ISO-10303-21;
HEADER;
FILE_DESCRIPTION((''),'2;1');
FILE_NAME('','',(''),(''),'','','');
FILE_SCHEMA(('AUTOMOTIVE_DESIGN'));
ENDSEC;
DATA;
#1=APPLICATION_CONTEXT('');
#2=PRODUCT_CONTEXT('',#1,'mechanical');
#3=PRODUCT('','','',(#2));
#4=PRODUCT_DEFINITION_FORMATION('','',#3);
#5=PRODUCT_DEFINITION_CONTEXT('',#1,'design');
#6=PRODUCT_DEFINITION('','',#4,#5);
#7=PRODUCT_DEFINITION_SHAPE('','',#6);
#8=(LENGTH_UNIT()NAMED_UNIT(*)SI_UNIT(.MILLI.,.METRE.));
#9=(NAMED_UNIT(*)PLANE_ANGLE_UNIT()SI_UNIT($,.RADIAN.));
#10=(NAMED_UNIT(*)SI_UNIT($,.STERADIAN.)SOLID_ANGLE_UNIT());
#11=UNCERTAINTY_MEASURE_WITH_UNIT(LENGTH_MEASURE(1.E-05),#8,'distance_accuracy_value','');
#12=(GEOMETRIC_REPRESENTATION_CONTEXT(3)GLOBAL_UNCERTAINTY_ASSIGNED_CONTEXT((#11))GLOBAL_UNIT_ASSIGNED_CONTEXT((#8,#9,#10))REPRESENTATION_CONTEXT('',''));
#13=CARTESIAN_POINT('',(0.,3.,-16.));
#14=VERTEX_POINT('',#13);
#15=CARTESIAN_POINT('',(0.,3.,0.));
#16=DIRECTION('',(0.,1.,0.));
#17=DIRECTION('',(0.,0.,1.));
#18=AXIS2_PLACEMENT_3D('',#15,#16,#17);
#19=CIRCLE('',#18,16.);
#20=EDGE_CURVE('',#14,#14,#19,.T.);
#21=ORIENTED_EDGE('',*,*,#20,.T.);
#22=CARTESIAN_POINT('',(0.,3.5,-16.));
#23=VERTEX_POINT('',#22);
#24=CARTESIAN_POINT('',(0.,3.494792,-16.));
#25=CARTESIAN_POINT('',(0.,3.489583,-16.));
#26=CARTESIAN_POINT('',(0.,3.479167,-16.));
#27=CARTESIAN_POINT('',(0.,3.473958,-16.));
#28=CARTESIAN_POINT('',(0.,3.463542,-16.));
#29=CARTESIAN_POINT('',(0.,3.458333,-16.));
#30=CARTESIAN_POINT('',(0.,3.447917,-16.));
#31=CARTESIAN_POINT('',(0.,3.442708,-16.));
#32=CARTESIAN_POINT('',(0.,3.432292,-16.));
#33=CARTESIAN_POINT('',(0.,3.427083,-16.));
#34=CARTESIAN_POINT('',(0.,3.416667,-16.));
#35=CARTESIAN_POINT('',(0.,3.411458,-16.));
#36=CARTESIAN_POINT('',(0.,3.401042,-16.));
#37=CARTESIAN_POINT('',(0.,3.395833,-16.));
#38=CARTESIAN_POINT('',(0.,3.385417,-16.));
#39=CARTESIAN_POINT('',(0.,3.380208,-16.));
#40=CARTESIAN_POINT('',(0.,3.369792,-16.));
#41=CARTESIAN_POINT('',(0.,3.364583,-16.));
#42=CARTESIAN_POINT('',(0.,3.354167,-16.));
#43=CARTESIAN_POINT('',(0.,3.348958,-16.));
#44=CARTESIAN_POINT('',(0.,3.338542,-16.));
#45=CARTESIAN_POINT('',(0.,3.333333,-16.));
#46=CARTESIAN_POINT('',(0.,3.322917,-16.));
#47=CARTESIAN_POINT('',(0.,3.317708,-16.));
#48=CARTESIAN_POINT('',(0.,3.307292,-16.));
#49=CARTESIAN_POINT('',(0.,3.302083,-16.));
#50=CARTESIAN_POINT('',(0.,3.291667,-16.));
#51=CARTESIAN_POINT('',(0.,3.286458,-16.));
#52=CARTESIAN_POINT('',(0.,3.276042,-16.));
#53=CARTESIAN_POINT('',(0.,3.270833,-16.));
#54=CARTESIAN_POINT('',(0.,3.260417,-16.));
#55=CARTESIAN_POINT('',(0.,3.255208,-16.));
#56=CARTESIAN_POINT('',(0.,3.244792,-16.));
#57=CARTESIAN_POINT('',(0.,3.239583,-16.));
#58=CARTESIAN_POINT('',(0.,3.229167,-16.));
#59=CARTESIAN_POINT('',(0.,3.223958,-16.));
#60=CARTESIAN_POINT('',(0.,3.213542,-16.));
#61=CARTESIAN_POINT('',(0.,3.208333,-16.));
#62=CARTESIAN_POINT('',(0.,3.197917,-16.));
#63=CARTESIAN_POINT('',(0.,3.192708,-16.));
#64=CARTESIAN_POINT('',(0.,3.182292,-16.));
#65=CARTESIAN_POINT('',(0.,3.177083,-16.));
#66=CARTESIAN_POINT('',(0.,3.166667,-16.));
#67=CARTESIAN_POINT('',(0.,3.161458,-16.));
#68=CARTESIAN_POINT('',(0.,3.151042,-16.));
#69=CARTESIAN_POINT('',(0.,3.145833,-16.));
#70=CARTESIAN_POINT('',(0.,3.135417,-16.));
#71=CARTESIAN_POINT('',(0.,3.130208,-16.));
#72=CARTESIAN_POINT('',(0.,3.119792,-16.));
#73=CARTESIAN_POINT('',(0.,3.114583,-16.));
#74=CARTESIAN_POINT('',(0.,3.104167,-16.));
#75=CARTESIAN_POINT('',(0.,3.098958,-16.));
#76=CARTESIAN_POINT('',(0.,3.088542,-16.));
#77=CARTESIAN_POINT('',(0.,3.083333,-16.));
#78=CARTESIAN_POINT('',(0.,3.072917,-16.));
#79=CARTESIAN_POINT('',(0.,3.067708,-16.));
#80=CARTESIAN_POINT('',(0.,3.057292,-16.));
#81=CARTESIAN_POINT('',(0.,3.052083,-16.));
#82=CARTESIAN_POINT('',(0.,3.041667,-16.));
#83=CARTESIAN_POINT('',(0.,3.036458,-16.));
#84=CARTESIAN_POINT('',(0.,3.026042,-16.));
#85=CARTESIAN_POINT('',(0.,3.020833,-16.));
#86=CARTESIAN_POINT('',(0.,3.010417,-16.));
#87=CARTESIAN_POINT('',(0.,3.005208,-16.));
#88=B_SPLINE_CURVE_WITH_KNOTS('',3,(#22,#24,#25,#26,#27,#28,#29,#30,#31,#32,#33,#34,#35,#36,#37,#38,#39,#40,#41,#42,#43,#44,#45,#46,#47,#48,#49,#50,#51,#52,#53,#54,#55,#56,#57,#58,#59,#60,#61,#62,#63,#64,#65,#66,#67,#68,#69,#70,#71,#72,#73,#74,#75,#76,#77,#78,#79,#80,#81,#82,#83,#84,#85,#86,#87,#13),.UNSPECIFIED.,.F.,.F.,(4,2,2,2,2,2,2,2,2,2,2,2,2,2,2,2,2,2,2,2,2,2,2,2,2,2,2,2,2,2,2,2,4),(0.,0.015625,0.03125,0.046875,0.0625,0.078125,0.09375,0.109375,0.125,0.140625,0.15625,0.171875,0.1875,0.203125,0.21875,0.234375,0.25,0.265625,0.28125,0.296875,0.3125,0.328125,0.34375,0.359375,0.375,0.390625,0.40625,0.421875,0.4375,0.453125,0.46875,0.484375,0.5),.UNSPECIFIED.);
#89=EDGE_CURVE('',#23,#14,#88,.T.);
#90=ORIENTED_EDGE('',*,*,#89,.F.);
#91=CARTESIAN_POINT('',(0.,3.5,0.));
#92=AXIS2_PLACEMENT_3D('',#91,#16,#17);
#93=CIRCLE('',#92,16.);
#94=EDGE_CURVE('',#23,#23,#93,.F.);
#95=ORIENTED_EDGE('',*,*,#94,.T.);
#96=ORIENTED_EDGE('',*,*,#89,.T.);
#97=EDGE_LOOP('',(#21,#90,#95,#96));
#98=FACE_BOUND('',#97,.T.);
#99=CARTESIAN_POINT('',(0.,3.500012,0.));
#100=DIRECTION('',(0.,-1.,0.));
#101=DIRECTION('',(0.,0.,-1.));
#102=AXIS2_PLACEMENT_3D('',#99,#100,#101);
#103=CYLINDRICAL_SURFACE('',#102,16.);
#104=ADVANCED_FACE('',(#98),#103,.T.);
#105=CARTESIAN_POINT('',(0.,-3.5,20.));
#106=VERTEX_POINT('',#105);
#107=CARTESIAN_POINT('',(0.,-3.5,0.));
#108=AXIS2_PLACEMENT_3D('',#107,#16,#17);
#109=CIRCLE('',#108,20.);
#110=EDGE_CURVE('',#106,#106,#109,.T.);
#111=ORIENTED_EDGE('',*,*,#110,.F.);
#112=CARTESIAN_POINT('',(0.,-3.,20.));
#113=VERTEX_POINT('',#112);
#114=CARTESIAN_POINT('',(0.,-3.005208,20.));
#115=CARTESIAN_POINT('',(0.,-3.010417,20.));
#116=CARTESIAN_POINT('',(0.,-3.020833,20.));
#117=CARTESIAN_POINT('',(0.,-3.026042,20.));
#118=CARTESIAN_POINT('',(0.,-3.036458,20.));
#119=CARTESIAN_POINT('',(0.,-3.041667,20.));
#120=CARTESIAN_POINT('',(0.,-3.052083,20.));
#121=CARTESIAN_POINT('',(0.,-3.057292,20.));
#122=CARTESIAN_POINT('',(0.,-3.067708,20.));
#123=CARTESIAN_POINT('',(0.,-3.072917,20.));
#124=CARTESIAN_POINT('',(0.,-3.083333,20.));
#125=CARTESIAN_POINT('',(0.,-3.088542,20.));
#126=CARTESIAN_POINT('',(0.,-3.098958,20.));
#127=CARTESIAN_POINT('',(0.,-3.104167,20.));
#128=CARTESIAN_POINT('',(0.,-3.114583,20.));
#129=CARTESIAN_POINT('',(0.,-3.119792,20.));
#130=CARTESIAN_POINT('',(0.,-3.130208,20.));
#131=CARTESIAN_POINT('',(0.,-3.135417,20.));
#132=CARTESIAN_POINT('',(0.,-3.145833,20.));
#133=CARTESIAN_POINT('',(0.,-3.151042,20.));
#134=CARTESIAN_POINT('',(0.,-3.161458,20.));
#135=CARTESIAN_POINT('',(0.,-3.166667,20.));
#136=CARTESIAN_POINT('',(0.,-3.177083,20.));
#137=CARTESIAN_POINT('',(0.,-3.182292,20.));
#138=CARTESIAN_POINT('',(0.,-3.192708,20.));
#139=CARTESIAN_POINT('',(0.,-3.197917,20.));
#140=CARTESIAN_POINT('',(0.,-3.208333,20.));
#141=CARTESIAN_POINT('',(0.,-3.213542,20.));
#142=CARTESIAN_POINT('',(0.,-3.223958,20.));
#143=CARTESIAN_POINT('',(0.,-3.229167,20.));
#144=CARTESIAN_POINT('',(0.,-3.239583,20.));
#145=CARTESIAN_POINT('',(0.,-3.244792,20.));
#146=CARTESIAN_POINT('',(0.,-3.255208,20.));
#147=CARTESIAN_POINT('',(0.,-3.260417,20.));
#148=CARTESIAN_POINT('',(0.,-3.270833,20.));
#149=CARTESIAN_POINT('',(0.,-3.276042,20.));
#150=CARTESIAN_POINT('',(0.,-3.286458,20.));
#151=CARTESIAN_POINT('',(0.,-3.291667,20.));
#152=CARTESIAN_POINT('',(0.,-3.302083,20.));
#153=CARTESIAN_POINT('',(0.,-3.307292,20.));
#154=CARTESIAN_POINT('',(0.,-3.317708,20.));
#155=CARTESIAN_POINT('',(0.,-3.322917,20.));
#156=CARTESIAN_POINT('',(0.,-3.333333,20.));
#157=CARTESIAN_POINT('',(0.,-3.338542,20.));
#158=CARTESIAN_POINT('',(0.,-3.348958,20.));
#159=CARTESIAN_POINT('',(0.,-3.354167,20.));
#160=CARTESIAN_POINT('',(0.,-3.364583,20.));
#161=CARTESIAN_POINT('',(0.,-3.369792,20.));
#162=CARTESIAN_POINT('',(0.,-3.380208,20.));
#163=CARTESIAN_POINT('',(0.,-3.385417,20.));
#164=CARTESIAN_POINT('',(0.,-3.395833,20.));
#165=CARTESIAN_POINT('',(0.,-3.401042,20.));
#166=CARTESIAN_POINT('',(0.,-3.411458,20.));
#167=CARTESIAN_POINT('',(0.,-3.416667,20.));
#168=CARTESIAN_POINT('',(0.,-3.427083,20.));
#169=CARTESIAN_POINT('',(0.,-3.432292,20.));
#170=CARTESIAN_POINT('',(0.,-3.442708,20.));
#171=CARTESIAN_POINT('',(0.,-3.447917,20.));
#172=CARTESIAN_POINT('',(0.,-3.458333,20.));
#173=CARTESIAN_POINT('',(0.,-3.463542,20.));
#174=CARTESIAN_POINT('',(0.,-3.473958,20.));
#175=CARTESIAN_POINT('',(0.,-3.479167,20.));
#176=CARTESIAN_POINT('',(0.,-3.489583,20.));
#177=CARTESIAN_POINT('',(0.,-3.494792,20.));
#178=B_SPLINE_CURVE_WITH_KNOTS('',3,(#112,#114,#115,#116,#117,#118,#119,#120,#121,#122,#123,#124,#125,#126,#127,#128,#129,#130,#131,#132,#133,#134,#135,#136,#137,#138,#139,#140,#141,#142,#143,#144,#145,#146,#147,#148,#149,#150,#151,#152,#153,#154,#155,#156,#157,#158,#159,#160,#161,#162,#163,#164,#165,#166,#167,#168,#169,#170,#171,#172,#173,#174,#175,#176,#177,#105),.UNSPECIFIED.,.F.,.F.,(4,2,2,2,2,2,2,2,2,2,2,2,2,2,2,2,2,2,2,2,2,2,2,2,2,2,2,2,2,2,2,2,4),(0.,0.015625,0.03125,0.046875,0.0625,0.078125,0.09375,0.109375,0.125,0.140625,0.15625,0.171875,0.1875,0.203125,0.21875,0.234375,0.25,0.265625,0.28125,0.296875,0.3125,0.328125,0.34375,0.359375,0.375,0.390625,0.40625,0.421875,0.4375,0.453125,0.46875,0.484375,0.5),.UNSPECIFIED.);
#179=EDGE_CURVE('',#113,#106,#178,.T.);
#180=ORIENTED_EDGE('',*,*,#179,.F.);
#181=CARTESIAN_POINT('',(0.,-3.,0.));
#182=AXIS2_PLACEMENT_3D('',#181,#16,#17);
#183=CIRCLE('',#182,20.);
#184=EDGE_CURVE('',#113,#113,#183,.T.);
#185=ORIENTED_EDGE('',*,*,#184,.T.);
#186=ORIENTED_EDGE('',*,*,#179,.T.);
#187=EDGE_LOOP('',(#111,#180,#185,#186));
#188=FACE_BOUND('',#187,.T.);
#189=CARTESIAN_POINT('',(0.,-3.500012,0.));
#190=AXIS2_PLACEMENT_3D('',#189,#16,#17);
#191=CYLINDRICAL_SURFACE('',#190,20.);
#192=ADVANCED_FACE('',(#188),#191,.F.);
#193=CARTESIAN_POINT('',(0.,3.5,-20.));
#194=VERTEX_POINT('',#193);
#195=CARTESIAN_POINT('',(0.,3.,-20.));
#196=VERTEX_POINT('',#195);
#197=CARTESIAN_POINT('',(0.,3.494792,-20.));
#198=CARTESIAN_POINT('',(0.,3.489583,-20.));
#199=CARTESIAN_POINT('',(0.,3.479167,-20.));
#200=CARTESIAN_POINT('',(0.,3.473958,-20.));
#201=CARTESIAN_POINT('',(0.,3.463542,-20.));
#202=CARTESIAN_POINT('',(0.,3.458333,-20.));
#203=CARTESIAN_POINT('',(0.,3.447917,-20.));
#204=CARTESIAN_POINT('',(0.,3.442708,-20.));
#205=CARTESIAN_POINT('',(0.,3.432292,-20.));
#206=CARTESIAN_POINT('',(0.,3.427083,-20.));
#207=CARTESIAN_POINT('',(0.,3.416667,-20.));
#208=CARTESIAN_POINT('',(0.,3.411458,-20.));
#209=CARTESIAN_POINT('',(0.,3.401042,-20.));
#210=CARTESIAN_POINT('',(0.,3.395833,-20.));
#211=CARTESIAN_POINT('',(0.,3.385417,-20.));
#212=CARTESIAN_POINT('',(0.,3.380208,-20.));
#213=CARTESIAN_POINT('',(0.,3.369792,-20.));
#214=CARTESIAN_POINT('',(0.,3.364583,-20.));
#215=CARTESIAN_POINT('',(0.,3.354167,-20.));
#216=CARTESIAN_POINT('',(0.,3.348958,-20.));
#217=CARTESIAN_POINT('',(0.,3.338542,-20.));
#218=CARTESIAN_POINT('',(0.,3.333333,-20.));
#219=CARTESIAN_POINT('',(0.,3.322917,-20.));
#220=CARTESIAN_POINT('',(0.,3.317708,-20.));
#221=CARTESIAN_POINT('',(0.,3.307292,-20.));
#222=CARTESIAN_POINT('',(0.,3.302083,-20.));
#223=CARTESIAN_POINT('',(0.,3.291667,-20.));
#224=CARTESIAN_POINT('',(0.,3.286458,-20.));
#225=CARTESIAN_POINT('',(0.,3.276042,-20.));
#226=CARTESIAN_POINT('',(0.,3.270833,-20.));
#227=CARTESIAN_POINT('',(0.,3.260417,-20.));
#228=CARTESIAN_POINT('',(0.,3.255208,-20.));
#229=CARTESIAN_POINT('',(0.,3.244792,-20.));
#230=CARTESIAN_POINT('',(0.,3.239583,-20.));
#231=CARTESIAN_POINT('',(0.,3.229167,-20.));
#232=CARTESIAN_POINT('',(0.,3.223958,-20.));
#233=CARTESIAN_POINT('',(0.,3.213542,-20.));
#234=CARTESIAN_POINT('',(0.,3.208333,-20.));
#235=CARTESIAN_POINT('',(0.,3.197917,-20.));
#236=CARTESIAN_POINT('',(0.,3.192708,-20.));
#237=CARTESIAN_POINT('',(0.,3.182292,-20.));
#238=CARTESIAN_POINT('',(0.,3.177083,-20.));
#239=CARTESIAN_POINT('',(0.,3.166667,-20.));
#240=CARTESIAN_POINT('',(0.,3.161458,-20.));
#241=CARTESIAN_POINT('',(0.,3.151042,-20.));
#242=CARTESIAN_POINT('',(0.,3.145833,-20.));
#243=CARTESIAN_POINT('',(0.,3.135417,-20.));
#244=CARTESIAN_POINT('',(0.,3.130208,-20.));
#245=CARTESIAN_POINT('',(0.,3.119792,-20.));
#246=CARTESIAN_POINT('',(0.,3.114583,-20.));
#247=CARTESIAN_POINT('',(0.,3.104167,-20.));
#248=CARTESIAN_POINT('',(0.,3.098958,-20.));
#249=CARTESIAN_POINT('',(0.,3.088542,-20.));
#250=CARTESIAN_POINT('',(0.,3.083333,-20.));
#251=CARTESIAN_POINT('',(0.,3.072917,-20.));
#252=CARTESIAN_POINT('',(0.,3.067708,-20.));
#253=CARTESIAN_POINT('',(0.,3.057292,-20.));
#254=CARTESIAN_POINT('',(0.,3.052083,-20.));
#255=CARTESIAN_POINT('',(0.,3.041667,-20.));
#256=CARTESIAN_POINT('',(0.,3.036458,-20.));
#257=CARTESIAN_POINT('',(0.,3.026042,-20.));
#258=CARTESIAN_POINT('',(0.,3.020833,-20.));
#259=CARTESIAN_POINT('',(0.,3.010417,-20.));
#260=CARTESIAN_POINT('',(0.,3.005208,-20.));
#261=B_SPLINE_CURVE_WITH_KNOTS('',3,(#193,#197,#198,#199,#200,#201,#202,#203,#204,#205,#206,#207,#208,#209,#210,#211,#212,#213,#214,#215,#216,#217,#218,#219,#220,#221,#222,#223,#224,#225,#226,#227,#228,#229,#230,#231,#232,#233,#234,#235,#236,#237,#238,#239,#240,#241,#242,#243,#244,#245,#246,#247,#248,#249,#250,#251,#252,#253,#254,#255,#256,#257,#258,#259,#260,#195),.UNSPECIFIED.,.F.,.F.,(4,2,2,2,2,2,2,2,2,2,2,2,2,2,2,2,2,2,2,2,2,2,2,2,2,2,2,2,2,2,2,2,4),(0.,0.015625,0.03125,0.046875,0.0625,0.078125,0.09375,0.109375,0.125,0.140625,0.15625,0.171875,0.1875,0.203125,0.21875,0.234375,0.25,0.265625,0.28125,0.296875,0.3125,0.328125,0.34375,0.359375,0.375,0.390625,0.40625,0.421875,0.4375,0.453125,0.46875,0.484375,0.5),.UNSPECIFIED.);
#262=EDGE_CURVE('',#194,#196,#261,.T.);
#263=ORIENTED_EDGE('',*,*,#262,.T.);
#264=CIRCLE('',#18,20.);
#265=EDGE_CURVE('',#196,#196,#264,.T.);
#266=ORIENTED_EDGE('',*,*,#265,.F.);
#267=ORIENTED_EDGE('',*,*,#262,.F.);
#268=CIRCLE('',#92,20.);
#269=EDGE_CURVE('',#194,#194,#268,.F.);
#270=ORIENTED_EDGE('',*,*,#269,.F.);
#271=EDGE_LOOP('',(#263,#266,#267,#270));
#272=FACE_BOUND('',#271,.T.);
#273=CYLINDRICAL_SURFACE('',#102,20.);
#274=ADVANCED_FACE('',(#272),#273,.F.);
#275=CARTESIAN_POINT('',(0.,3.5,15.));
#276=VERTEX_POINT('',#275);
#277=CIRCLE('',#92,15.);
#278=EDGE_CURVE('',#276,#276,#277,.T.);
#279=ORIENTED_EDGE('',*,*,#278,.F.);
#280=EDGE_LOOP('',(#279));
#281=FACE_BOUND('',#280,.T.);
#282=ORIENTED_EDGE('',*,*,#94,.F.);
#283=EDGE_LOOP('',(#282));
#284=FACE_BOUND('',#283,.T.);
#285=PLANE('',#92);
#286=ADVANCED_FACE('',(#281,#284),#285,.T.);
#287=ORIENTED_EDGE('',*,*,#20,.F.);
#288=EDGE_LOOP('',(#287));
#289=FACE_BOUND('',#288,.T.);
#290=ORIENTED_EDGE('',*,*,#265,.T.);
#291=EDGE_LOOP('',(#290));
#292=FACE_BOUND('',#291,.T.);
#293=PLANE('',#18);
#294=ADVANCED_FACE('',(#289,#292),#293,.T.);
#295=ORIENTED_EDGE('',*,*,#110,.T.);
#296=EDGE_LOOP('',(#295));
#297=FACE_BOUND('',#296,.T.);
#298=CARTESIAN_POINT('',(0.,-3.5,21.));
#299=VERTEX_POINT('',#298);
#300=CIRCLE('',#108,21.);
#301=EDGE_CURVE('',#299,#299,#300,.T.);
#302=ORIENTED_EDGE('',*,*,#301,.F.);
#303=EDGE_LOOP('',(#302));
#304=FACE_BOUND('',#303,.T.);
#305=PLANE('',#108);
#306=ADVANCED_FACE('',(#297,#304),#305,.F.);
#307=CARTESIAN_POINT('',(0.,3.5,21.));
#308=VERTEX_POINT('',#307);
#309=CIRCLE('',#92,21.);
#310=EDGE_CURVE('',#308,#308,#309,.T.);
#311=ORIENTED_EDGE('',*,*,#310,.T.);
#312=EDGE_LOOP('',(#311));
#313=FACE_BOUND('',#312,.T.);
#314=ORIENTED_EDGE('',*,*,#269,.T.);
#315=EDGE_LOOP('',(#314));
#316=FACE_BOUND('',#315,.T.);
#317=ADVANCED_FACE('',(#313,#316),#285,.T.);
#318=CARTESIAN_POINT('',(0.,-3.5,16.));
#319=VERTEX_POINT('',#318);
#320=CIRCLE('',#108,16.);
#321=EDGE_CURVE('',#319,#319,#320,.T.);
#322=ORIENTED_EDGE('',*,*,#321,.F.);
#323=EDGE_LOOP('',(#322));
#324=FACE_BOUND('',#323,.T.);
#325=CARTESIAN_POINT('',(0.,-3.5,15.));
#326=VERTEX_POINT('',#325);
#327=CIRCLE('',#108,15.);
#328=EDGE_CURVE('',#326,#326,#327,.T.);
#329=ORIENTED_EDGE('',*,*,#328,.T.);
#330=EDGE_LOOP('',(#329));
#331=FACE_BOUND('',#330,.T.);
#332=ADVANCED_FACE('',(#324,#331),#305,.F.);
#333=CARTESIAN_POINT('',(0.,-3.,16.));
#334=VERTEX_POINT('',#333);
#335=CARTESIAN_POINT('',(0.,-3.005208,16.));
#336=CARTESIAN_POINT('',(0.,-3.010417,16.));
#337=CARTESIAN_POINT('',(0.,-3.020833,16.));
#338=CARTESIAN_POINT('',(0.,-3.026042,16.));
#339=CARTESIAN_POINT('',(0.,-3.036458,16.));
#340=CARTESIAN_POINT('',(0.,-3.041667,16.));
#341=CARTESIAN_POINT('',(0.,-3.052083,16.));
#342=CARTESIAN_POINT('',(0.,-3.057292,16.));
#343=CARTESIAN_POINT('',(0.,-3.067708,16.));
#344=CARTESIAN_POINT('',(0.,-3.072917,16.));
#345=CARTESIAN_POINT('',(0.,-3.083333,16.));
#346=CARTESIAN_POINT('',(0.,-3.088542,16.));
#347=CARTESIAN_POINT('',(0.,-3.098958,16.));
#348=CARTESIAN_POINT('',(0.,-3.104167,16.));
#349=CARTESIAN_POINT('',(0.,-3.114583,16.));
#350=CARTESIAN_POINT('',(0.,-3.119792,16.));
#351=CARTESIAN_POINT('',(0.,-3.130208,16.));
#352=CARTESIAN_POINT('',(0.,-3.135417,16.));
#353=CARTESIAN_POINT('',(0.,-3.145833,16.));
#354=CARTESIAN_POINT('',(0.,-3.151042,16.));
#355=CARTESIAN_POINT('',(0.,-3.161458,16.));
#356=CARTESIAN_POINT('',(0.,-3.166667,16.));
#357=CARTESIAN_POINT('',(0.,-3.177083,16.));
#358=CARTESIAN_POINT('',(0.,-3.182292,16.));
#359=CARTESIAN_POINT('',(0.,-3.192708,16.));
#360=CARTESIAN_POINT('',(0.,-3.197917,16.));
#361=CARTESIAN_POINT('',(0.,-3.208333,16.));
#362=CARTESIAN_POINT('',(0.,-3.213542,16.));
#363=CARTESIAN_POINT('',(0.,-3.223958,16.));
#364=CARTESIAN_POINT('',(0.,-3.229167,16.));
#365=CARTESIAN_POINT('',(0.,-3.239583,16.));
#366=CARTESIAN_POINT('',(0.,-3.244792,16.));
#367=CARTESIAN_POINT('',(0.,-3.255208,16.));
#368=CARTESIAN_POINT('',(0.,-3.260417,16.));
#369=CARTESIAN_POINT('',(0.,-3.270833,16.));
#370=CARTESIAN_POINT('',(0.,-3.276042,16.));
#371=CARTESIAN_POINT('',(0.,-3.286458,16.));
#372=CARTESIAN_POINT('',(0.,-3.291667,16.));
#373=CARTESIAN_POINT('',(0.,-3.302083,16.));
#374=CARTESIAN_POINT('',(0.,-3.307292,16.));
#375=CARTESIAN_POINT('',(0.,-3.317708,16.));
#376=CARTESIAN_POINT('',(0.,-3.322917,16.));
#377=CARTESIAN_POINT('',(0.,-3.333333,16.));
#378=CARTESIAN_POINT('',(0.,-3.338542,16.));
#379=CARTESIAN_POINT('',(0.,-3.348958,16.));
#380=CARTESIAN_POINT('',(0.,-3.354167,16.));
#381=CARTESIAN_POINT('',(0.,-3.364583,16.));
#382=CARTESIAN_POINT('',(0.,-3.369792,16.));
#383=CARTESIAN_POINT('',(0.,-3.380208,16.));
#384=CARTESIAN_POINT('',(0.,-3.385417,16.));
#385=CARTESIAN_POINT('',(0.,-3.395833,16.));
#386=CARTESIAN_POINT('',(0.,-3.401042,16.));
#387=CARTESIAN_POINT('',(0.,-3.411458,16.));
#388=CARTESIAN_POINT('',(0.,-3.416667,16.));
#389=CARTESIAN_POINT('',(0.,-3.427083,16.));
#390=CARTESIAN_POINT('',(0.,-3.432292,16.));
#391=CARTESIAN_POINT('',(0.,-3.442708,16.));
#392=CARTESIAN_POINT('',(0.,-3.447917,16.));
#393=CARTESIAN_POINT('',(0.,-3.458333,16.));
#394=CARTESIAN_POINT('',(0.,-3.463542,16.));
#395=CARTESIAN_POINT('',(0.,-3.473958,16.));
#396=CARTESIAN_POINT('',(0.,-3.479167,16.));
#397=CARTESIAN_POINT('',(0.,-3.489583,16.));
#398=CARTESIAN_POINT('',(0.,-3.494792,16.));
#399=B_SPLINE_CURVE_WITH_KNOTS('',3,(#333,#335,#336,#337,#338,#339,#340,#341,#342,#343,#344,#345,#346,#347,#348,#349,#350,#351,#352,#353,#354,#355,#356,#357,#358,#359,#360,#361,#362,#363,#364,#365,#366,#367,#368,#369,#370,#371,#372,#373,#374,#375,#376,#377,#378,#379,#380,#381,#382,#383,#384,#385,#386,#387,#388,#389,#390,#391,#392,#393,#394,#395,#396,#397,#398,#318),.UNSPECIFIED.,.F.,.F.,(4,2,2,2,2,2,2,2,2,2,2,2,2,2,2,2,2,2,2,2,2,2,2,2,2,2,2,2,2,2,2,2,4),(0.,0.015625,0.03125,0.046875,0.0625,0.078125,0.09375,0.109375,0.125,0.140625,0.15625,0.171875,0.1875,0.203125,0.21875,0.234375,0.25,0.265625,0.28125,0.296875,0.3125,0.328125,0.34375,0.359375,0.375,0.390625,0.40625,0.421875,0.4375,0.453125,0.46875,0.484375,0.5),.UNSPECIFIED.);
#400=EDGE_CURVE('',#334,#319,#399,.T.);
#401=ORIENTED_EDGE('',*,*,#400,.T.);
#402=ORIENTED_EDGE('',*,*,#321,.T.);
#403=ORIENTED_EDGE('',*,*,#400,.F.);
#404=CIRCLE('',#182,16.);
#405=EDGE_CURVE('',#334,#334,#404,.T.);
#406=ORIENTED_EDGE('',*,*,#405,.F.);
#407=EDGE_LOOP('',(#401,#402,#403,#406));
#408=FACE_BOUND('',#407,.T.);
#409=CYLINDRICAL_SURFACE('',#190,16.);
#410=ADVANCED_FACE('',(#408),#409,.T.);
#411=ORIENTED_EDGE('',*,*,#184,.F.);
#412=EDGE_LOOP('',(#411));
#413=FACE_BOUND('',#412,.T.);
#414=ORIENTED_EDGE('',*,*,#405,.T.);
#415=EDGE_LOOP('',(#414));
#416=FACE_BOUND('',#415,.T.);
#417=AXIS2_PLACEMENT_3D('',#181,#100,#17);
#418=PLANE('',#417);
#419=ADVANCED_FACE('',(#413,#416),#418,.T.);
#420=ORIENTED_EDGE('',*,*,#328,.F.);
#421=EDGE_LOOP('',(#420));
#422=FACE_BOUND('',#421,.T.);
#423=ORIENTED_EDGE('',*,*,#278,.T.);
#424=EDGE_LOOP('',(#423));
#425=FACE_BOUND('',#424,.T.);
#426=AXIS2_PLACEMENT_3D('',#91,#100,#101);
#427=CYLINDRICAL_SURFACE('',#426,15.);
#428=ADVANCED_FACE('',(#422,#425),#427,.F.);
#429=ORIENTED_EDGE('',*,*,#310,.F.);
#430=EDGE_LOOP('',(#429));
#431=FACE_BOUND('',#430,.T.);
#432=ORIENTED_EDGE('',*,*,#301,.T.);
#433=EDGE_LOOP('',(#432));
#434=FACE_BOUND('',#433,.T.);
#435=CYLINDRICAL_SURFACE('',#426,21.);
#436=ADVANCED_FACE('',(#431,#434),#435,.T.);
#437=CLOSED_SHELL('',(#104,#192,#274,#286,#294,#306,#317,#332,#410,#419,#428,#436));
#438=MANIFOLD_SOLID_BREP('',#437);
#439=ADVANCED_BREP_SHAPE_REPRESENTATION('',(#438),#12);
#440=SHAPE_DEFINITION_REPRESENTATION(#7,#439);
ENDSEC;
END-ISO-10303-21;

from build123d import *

# Parameters (mm, degrees)
SKETCH1_R           = 21
SKETCH1_R_2         = 15
BOSS_EXTRUDE1_DEPTH = 3.5
CUT_EXTRUDE1_START  = -0.5
SKETCH2_R           = 20
SKETCH2_R_2         = 16
CUT_EXTRUDE1_DEPTH  = 32.012292605


with BuildPart() as part:
    # Sketch1 → Boss-Extrude1 (new, symmetric)
    with BuildSketch(Plane(origin=(0, 0, 0), x_dir=(1, 0, 0), z_dir=(0, 1, 0))):
        with Locations(Location((0, 0, 0), (0, 0, 270))):
            Circle(SKETCH1_R)
        with Locations(Location((0, 0, 0), (0, 0, 270))):
            Circle(SKETCH1_R_2, mode=Mode.SUBTRACT)
    extrude(amount=BOSS_EXTRUDE1_DEPTH, both=True)

    # Sketch2 → Cut-Extrude1 (cut)
    with BuildSketch(Plane(origin=(0, 3.5, 0), x_dir=(1, 0, 0), z_dir=(0, 1, 0)).offset(CUT_EXTRUDE1_START)):
        with Locations(Location((0, 0, 0), (0, 0, 90))):
            Circle(SKETCH2_R)
        with Locations(Location((0, 0, 0), (0, 0, 90))):
            Circle(SKETCH2_R_2, mode=Mode.SUBTRACT)
    cut_extrude1 = extrude(amount=CUT_EXTRUDE1_DEPTH, mode=Mode.SUBTRACT)

    # Mirror1: Cut-Extrude1 across plane
    add(cut_extrude1.mirror(Plane.ZX), mode=Mode.SUBTRACT)


solid = part.part
